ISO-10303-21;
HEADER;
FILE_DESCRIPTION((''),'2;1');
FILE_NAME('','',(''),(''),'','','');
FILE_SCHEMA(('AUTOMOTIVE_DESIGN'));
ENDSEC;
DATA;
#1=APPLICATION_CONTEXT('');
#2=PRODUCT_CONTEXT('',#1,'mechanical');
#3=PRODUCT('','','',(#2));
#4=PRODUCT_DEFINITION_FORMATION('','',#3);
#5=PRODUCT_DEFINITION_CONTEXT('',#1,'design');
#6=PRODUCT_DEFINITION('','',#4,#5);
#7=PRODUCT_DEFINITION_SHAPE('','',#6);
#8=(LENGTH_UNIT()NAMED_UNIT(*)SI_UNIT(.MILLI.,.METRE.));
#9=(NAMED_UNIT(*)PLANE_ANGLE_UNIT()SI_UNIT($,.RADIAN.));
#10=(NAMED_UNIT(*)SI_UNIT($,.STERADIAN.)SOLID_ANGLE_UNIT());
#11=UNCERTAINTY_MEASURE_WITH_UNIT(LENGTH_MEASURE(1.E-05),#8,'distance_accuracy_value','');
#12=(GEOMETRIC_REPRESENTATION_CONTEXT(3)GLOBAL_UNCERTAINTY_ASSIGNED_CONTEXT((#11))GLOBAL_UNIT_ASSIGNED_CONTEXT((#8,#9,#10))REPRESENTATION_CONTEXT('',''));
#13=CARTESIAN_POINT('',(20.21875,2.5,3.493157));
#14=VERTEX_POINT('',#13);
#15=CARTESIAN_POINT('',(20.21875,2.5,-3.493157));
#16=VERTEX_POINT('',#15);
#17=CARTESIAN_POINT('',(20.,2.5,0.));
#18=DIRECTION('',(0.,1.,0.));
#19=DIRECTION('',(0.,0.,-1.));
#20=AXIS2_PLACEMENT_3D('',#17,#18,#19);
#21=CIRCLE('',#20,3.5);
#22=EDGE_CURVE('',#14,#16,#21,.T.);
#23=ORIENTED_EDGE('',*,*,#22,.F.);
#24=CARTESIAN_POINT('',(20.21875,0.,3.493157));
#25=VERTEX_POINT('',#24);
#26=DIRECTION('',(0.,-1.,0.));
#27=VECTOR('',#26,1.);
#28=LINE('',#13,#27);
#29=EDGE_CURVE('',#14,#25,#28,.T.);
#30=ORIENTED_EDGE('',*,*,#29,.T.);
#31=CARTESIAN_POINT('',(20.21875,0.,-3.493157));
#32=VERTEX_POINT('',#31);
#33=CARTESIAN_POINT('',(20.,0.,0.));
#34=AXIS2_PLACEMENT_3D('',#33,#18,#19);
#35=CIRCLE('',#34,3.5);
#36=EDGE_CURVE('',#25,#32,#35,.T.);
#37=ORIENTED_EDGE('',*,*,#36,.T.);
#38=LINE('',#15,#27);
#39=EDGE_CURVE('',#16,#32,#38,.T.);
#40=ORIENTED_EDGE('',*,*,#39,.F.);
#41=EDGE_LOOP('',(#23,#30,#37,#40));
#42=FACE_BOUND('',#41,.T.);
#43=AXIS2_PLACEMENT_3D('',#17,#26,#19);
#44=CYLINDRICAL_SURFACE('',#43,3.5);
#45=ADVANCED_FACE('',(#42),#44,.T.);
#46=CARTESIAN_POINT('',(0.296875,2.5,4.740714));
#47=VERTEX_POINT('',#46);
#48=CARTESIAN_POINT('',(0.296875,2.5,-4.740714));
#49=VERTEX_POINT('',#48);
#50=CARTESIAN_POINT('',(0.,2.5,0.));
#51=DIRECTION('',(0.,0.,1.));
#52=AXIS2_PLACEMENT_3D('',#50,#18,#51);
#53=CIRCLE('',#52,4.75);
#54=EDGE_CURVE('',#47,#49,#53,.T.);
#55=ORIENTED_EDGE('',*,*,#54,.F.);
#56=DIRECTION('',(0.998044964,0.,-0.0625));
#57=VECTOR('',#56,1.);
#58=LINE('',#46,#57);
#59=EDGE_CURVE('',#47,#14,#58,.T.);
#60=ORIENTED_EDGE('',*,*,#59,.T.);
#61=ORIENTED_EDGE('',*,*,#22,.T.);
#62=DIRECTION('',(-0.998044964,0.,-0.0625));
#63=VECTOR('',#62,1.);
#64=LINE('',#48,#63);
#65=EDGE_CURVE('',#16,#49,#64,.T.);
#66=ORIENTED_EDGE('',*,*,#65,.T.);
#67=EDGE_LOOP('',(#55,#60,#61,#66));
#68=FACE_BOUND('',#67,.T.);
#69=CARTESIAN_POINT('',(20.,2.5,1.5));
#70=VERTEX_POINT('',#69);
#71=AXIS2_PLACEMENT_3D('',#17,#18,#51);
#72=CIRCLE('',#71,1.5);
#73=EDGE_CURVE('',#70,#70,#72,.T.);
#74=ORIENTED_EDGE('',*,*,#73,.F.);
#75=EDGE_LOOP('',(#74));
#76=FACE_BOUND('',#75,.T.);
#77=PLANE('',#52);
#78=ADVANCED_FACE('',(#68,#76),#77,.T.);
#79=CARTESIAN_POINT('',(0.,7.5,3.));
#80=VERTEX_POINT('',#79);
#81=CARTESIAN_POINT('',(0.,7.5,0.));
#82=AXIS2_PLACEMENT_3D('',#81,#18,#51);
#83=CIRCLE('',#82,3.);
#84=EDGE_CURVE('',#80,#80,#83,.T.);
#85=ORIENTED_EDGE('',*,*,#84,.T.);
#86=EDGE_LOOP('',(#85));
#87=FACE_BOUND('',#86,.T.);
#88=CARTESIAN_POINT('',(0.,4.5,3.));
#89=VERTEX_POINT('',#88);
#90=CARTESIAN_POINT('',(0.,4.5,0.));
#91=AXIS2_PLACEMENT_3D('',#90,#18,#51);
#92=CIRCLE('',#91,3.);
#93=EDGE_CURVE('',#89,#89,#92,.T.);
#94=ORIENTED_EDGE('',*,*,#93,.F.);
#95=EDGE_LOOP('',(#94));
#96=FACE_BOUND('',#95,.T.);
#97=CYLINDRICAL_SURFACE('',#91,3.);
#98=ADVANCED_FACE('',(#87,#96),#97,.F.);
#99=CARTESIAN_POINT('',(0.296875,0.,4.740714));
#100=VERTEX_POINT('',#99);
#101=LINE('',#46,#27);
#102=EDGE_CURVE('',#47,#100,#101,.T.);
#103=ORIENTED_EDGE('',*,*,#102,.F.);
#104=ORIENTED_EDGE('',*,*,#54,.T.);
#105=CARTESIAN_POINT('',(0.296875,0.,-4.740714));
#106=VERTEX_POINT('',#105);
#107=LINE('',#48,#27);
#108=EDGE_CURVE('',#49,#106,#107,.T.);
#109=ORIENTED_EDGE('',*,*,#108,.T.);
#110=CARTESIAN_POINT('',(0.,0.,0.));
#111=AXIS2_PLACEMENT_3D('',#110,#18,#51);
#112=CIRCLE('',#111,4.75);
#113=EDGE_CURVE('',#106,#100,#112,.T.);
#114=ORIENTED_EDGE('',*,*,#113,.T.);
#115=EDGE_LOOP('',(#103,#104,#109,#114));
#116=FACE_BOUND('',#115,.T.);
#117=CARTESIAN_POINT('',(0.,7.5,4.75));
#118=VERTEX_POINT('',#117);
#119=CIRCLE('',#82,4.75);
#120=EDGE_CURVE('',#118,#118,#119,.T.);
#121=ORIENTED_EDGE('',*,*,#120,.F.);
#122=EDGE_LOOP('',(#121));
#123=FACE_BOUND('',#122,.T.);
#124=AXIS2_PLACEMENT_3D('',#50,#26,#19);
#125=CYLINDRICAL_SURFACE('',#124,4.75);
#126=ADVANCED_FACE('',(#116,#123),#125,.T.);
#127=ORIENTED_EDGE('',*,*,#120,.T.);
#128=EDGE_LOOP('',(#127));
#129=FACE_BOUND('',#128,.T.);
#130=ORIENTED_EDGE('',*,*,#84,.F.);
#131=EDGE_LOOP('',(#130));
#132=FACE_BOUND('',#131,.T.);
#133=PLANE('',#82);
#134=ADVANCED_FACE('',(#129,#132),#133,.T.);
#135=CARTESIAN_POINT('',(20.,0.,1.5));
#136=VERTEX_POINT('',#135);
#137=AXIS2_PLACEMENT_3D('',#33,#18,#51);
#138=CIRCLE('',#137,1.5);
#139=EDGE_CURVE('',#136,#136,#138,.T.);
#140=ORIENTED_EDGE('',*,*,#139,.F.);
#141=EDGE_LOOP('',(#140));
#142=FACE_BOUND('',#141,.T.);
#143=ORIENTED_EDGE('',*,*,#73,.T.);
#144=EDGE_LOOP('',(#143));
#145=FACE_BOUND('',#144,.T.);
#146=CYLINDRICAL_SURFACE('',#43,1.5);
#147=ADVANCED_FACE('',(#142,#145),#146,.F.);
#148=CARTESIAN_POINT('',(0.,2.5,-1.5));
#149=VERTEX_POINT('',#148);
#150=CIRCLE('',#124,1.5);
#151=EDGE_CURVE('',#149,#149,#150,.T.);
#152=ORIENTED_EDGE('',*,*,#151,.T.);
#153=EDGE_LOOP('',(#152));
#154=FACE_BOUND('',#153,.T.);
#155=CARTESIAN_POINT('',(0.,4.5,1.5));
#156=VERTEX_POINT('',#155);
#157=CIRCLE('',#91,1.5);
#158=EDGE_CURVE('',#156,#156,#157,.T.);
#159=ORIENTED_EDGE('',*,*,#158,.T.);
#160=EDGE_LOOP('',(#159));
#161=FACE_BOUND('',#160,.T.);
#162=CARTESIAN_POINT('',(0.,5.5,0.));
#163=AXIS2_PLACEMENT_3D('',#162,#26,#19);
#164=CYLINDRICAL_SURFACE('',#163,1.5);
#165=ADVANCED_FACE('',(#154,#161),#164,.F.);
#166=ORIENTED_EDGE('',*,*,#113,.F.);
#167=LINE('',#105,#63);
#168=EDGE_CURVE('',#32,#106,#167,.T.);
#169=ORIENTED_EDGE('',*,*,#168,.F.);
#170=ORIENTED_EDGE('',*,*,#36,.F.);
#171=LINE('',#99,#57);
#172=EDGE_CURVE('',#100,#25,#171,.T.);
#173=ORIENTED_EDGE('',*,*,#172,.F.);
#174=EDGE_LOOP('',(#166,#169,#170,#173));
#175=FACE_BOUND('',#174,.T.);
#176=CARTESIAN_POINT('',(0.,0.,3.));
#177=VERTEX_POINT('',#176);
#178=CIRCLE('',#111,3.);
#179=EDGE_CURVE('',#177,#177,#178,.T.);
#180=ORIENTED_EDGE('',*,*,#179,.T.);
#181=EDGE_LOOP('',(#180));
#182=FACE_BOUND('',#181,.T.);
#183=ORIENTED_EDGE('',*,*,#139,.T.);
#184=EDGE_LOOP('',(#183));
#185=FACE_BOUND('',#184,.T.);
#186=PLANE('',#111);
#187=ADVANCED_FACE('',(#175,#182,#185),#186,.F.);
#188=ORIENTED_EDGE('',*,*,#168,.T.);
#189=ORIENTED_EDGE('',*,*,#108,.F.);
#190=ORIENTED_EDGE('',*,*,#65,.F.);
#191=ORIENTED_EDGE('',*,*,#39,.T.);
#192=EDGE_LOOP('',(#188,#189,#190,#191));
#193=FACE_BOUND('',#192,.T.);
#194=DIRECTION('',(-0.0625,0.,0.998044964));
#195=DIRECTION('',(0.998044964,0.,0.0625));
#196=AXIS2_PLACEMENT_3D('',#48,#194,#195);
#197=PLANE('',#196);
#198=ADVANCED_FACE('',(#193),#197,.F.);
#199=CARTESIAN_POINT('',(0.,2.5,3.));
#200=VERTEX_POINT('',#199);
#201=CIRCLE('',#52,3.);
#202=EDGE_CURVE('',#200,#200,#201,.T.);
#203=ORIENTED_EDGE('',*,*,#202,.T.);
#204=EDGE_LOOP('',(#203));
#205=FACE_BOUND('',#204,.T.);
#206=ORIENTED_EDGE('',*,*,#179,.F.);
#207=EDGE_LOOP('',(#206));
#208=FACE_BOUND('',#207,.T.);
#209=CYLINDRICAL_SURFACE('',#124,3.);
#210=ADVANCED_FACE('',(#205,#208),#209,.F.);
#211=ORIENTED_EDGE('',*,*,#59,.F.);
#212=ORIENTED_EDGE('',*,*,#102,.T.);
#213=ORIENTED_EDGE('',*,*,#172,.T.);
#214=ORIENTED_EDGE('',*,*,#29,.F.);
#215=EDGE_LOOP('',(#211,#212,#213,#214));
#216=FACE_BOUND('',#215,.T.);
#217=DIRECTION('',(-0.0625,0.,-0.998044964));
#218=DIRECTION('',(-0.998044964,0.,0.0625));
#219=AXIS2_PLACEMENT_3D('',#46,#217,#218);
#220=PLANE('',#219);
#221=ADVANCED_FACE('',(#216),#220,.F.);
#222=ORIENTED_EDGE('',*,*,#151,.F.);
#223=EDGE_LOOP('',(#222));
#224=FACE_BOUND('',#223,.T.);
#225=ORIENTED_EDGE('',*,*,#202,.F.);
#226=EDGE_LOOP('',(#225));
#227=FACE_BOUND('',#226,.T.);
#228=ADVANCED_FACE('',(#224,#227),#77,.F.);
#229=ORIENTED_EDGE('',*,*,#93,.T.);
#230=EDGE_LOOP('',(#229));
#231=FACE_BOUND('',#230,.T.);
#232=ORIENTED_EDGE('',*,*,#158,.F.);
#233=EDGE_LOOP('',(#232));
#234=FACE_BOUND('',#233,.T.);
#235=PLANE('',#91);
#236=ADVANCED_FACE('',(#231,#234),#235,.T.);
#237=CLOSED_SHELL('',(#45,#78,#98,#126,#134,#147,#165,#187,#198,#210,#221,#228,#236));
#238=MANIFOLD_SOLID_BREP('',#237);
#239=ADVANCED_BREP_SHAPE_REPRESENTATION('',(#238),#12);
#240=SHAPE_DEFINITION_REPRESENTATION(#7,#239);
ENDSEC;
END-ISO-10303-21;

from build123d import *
from build123d.topology import SkipClean

# Parameters (mm, degrees)
SKETCH_1_R          = 3
SKETCH_1_R_2        = 1.5
EXTRUDE_1_DEPTH     = 2.5
SKETCH_2_R          = 4.75
EXTRUDE_2_DEPTH     = 5
CUT_EXTRUDE_START   = -3
SKETCH_3_R          = 3
CUT_EXTRUDE_1_DEPTH = 3
SKETCH_4_R          = 1.5
CUT_EXTRUDE_2_DEPTH = 3


with BuildPart() as part:
    # 草图1 → 凸台-拉伸1 (new body)
    with BuildSketch(Plane(origin=(0, 0, 0), x_dir=(1, 0, 0), z_dir=(0, 1, 0))):
        with BuildLine():
            Line((0.296875, 4.740713579), (20.21875, 3.493157374))
            ThreePointArc((20.21875, 3.493157374), (23.5, 0), (20.21875, -3.493157374))
            Line((20.21875, -3.493157374), (0.296875, -4.740713579))
            ThreePointArc((0.296875, -4.740713579), (-4.75, 0), (0.296875, 4.740713579))
        make_face()
        with Locations(Location((0, 0, 0), (0, 0, 270))):
            Circle(SKETCH_1_R, mode=Mode.SUBTRACT)
        with Locations(Location((20, 0, 0), (0, 0, 270))):
            Circle(SKETCH_1_R_2, mode=Mode.SUBTRACT)
    extrude(amount=EXTRUDE_1_DEPTH)

    # 草图2 → 凸台-拉伸2 (add)
    with SkipClean():  # the faces are left unmerged after this step: merging them gives an invalid solid
        with BuildSketch(Plane(origin=(0, 2.5, 0), x_dir=(1, 0, 0), z_dir=(0, 1, 0))):
            with Locations(Location((0, 0, 0), (0, 0, 86.416678302))):
                Circle(SKETCH_2_R)
        extrude(amount=EXTRUDE_2_DEPTH)

    # 草图3 → 切除-拉伸1 (cut)
    with SkipClean():  # the faces are left unmerged after this step: merging them gives an invalid solid
        with BuildSketch(Plane(origin=(0, 7.5, 0), x_dir=(1, 0, 0), z_dir=(0, 1, 0)).offset(CUT_EXTRUDE_START)):
            with Locations(Location((0, 0, 0), (0, 0, 270))):
                Circle(SKETCH_3_R)
        extrude(amount=CUT_EXTRUDE_1_DEPTH, mode=Mode.SUBTRACT)

    # 草图4 → 切除-拉伸2 (cut)
    with SkipClean():  # the faces are left unmerged after this step: merging them gives an invalid solid
        with BuildSketch(Plane.XZ.offset(-2.5)):
            with Locations(Location((0, 0, 0), (0, 0, 270))):
                Circle(SKETCH_4_R)
        extrude(amount=-CUT_EXTRUDE_2_DEPTH, mode=Mode.SUBTRACT)


solid = part.part
